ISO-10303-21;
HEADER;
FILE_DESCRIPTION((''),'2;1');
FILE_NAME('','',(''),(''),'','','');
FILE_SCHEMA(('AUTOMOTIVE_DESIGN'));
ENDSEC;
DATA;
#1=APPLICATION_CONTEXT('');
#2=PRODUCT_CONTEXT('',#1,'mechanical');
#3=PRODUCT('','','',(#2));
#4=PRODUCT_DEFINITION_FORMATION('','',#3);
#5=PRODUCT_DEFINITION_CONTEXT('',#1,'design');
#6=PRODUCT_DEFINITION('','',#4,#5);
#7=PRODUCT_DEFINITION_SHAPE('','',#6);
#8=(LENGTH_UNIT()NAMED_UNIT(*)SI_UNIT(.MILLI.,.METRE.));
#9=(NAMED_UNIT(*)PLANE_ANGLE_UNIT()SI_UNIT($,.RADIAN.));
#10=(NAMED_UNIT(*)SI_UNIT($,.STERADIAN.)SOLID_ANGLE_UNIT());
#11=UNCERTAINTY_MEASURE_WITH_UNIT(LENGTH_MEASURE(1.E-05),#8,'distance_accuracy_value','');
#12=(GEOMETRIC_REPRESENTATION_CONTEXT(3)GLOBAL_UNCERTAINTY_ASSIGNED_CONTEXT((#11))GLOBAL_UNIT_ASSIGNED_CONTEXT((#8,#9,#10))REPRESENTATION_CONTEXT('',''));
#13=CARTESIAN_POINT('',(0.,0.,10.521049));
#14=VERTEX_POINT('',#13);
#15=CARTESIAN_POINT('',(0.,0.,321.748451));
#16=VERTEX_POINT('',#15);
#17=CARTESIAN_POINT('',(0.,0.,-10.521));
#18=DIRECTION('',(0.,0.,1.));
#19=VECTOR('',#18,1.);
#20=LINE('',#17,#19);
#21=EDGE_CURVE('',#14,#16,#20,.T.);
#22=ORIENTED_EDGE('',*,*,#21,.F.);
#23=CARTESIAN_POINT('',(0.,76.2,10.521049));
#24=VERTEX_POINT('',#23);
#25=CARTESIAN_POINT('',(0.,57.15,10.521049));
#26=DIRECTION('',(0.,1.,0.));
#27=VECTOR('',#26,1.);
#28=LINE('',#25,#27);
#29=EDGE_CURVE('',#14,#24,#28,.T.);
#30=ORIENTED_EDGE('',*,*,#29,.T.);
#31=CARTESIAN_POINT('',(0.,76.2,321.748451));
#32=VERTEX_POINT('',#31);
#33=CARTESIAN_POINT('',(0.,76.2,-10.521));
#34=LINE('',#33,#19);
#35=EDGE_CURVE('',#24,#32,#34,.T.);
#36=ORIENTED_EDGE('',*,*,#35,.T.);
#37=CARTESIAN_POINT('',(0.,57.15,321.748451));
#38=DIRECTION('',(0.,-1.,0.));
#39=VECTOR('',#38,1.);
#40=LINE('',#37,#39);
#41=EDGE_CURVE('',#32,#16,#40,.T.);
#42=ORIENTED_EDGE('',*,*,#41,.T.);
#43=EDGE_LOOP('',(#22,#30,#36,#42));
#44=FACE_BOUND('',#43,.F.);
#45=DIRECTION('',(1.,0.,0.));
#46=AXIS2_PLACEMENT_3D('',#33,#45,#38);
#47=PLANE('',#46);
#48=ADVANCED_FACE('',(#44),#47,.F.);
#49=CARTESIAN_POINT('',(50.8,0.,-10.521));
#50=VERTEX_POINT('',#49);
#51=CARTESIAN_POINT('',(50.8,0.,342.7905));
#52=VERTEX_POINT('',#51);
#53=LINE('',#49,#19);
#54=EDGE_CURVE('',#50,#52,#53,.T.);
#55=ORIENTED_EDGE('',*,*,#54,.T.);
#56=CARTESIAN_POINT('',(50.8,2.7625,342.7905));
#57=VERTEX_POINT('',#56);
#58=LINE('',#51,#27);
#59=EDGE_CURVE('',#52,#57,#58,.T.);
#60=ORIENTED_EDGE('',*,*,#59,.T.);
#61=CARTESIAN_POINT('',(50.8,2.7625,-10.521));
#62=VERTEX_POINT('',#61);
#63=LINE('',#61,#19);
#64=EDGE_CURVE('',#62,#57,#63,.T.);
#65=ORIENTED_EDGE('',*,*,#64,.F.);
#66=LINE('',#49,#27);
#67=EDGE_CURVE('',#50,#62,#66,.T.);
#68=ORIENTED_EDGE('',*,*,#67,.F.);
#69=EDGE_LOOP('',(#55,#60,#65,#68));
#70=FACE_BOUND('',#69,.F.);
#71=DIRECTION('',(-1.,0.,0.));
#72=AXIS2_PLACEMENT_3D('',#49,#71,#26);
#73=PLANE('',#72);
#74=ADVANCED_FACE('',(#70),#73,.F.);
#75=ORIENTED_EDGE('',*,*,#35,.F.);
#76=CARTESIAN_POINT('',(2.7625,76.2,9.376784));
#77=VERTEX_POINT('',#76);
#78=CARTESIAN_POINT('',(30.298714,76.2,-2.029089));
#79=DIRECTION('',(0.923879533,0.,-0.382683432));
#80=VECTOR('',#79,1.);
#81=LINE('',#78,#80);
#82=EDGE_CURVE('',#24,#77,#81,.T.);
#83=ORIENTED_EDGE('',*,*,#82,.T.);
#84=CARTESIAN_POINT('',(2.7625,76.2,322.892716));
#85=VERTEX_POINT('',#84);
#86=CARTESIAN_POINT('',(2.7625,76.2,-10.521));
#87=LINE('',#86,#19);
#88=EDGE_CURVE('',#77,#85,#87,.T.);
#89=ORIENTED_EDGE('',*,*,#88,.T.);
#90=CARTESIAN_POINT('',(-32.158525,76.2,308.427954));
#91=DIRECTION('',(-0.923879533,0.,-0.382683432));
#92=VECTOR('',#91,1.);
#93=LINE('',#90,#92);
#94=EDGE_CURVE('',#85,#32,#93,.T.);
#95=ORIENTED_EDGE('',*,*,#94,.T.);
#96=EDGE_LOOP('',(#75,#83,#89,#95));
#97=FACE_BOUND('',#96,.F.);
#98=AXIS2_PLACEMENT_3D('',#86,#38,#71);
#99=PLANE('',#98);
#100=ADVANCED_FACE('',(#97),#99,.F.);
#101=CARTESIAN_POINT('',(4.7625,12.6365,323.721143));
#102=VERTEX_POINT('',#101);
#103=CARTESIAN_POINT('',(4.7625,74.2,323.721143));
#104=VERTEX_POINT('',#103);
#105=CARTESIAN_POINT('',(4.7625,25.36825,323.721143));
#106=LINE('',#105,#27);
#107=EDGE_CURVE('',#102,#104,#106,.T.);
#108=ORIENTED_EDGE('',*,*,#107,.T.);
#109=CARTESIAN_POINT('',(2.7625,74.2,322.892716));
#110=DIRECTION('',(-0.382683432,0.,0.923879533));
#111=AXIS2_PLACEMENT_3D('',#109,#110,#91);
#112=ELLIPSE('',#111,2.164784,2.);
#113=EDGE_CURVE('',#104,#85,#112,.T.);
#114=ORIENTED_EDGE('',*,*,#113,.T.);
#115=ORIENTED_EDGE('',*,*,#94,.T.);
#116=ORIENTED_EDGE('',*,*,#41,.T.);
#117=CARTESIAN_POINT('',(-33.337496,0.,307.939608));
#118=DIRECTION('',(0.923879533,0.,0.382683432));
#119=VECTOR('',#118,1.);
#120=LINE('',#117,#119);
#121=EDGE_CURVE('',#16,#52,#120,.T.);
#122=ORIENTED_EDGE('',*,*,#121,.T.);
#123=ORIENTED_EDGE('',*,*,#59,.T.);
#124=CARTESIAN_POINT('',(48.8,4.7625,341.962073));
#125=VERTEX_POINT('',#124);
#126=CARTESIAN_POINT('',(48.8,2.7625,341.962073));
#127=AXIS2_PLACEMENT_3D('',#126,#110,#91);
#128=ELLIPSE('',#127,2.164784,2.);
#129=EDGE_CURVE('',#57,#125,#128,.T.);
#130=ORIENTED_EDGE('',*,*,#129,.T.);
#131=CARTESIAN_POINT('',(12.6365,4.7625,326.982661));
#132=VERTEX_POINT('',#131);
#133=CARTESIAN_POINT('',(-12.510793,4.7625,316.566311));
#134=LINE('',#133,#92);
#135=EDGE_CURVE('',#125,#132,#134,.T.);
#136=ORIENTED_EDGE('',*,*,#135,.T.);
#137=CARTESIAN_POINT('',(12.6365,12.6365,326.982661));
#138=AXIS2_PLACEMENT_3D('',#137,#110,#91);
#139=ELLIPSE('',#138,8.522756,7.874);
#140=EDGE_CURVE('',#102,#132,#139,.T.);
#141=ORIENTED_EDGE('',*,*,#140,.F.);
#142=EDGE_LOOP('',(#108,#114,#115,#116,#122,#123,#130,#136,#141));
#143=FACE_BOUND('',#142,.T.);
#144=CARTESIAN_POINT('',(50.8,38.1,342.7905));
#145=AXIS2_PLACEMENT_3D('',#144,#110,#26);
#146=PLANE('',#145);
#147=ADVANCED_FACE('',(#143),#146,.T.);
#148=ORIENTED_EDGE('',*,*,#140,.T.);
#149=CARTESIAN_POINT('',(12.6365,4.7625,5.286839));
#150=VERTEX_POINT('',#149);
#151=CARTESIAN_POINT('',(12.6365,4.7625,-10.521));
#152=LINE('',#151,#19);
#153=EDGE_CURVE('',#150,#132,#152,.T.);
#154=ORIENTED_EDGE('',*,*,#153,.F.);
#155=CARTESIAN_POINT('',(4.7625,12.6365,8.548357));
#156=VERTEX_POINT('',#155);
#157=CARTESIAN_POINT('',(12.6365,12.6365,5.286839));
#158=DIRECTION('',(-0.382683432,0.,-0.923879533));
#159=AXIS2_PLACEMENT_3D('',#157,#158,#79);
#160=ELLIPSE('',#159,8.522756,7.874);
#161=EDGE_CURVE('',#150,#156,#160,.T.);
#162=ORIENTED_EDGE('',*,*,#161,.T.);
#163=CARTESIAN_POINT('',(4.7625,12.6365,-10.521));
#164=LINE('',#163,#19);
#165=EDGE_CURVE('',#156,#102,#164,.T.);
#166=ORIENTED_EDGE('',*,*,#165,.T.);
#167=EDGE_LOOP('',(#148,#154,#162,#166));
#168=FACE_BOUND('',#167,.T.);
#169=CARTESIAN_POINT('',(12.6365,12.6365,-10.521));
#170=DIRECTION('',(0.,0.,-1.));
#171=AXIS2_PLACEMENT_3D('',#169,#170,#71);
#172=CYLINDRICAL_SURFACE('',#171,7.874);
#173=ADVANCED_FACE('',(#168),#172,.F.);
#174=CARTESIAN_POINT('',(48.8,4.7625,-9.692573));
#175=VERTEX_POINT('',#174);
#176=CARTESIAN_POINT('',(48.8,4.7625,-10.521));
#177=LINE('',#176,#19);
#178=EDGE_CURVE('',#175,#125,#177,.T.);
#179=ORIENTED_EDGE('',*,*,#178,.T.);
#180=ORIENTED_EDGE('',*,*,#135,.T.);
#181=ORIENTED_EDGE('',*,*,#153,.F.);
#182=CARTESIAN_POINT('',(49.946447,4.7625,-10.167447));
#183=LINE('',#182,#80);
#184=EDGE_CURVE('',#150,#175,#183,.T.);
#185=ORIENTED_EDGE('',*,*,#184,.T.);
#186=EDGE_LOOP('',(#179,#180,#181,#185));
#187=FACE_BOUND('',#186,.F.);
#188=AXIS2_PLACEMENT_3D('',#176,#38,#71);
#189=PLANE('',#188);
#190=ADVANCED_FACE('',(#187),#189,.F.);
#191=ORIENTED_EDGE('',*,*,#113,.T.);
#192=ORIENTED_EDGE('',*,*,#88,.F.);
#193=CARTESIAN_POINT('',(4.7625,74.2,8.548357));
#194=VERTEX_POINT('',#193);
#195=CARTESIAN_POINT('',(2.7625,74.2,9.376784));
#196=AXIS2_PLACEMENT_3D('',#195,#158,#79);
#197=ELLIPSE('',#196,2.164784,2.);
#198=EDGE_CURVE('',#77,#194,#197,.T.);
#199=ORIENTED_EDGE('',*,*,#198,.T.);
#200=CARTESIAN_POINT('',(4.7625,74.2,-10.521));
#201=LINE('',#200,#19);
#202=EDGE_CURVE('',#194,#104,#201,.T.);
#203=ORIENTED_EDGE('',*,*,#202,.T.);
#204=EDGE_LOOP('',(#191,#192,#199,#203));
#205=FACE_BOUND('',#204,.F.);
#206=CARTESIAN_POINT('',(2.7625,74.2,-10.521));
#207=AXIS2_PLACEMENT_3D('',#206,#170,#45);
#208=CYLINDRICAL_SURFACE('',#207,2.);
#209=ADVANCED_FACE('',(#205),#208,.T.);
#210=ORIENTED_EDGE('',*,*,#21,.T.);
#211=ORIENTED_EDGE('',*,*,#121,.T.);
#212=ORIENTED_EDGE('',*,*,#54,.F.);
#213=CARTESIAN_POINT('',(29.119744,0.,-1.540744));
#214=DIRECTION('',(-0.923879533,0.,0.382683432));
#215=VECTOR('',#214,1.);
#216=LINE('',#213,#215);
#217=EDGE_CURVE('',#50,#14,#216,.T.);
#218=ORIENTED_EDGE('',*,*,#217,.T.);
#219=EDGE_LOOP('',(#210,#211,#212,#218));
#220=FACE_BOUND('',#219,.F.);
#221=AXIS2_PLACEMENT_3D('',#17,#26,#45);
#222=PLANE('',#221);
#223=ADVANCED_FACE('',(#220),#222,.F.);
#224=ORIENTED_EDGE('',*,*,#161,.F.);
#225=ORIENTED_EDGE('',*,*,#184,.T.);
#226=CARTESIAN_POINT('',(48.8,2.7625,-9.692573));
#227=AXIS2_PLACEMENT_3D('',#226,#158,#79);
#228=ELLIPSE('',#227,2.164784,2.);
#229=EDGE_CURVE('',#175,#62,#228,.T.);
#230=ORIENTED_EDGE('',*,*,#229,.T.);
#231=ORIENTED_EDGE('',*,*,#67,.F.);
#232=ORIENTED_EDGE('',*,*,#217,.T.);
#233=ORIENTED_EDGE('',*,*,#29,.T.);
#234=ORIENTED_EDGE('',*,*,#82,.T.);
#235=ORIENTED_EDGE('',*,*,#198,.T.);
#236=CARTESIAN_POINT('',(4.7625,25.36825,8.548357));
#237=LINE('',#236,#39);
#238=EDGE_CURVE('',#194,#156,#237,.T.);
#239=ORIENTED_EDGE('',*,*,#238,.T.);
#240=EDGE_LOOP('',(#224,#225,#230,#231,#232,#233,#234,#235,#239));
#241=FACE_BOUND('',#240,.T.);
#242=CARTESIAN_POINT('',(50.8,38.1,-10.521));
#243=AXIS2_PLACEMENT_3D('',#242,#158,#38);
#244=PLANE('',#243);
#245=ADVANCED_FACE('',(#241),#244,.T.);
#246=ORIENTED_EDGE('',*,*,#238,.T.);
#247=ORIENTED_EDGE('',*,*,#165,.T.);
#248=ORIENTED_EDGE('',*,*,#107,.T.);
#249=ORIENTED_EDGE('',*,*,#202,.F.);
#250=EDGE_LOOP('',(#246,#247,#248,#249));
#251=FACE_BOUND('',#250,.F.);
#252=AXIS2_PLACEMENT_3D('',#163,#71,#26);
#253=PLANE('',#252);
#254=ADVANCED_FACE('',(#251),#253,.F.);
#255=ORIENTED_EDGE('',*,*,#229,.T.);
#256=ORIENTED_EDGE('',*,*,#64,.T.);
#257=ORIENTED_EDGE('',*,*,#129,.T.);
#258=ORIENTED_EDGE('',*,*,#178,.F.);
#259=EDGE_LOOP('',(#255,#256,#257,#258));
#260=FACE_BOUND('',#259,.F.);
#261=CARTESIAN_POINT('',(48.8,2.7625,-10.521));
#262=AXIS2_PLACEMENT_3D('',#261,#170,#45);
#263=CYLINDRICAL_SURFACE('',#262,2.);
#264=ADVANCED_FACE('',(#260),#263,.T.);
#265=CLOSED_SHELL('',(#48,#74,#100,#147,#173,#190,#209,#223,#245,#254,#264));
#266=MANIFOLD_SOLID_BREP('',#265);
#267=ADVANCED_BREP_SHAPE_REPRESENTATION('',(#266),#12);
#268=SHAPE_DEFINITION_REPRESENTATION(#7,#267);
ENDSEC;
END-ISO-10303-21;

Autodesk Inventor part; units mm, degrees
ref_plane "Start plane" through (0, 0, -10.521) normal (0, 0, 1) x (1, 0, 0)
ref_plane "End plane" through (0, 0, 342.7905) normal (0, 0, 1) x (1, 0, 0)
sketch "Sketch" plane through (0, 0, 0) normal (0, 0, 1) x (1, 0, 0)
  line L0 (0, 76.2) -> (0, 0)
  line L1 (0, 0) -> (50.8, 0)
  line L2 (50.8, 0) -> (50.8, 2.7625)
  line L3 (48.8, 4.7625) -> (12.6365, 4.7625)
  line L4 (4.7625, 12.6365) -> (4.7625, 74.2)
  line L5 (2.7625, 76.2) -> (0, 76.2)
  line L6 (-7.0414, 0) -> (21.5385, 0) construction
  line L7 (0, -8.0414) -> (0, 34.5385) construction
  arc A0 (4.7625, 12.6365) -> (12.6365, 4.7625) centre (12.6365, 12.6365) ccw
  arc A1 (50.8, 2.7625) -> (48.8, 4.7625) centre (48.8, 2.7625) ccw
  arc A2 (4.7625, 74.2) -> (2.7625, 76.2) centre (2.7625, 74.2) ccw
  line L8 (0, 93.5453) -> (0, -24.9725) construction
  line L9 (-18.6925, 0) -> (62.8653, 0) construction
  point P0 (50.8, 4.7625)
  point P1 (4.7625, 4.7625)
  point P2 (4.7625, 76.2)
  dimension "d12" = 4.7625
  dimension "d13" = 76.2
  dimension "d14" = 50.8
  dimension "d15" = 0
  dimension "d16" = 4.7625
  dimension "d17" = 0
  dimension "d18" = 7.874
  dimension "d19" = 2
extrude "Body" add sketch "Sketch" along normal up to surface (353.3115 mm away) from surface at -10.521
sketch "Sketch3" plane through (0, 0, 0) normal (0, 0, 1) x (1, 0, 0)
  line L0 (0, 0) -> (10, 0)
ref_plane "Work Plane5" through (0, 0, 0) normal (0, -1, 0) x (1, 0, 0)
sketch "Sketch4" plane through (0, 0, 0) normal (0, -1, 0) x (1, 0, 0)
  line L0 (-2, -10.521) -> (12, -10.521)
  line L1 (-2, 342.7905) -> (12, 342.7905)
  dimension "d23" = 353.3115
ref_plane "Work Plane3" through (50.8, 38.1, -10.521) normal (-0.3827, 0, -0.9239) x (-0.9239, 0, 0.3827)
split "Split1" plane through (50.8, 38.1, -10.521) removes the side toward (-0.3827, 0, -0.9239)
ref_plane "Work Plane4" through (50.8, 38.1, 342.7905) normal (-0.3827, 0, 0.9239) x (0.9239, 0, 0.3827)
split "Split2" plane through (50.8, 38.1, 342.7905) removes the side toward (-0.3827, 0, 0.9239)
equation "\"d12\" = G_T"
equation "\"d13\" = G_H"
equation "\"d14\" = G_W"
equation "\"d16\" = G_T"
equation "\"d18\" = G_IR"
equation "\"d4\" = G_L"
equation "\"G_W\" = 50.8"
equation "\"G_H\" = 76.2"
equation "\"G_T\" = 4.7625"
equation "\"G_ER\" = 4.064"
equation "\"G_IR\" = 7.874"
equation "\"G_L\" = d23"
equation "\"ex\" = 0"
equation "\"ey\" = 0"
equation "\"G_OFFSET_START\" = 10.52102"
equation "\"G_OFFSET_END\" = 10.52102"
equation "\"d20\" = -G_OFFSET_START"
equation "\"d21\" = G_OFFSET_END + B_L"
equation "\"B_L\" = 332.26948"
properties part number "ANSI L 3 x 2 x 3_16 00000002"
